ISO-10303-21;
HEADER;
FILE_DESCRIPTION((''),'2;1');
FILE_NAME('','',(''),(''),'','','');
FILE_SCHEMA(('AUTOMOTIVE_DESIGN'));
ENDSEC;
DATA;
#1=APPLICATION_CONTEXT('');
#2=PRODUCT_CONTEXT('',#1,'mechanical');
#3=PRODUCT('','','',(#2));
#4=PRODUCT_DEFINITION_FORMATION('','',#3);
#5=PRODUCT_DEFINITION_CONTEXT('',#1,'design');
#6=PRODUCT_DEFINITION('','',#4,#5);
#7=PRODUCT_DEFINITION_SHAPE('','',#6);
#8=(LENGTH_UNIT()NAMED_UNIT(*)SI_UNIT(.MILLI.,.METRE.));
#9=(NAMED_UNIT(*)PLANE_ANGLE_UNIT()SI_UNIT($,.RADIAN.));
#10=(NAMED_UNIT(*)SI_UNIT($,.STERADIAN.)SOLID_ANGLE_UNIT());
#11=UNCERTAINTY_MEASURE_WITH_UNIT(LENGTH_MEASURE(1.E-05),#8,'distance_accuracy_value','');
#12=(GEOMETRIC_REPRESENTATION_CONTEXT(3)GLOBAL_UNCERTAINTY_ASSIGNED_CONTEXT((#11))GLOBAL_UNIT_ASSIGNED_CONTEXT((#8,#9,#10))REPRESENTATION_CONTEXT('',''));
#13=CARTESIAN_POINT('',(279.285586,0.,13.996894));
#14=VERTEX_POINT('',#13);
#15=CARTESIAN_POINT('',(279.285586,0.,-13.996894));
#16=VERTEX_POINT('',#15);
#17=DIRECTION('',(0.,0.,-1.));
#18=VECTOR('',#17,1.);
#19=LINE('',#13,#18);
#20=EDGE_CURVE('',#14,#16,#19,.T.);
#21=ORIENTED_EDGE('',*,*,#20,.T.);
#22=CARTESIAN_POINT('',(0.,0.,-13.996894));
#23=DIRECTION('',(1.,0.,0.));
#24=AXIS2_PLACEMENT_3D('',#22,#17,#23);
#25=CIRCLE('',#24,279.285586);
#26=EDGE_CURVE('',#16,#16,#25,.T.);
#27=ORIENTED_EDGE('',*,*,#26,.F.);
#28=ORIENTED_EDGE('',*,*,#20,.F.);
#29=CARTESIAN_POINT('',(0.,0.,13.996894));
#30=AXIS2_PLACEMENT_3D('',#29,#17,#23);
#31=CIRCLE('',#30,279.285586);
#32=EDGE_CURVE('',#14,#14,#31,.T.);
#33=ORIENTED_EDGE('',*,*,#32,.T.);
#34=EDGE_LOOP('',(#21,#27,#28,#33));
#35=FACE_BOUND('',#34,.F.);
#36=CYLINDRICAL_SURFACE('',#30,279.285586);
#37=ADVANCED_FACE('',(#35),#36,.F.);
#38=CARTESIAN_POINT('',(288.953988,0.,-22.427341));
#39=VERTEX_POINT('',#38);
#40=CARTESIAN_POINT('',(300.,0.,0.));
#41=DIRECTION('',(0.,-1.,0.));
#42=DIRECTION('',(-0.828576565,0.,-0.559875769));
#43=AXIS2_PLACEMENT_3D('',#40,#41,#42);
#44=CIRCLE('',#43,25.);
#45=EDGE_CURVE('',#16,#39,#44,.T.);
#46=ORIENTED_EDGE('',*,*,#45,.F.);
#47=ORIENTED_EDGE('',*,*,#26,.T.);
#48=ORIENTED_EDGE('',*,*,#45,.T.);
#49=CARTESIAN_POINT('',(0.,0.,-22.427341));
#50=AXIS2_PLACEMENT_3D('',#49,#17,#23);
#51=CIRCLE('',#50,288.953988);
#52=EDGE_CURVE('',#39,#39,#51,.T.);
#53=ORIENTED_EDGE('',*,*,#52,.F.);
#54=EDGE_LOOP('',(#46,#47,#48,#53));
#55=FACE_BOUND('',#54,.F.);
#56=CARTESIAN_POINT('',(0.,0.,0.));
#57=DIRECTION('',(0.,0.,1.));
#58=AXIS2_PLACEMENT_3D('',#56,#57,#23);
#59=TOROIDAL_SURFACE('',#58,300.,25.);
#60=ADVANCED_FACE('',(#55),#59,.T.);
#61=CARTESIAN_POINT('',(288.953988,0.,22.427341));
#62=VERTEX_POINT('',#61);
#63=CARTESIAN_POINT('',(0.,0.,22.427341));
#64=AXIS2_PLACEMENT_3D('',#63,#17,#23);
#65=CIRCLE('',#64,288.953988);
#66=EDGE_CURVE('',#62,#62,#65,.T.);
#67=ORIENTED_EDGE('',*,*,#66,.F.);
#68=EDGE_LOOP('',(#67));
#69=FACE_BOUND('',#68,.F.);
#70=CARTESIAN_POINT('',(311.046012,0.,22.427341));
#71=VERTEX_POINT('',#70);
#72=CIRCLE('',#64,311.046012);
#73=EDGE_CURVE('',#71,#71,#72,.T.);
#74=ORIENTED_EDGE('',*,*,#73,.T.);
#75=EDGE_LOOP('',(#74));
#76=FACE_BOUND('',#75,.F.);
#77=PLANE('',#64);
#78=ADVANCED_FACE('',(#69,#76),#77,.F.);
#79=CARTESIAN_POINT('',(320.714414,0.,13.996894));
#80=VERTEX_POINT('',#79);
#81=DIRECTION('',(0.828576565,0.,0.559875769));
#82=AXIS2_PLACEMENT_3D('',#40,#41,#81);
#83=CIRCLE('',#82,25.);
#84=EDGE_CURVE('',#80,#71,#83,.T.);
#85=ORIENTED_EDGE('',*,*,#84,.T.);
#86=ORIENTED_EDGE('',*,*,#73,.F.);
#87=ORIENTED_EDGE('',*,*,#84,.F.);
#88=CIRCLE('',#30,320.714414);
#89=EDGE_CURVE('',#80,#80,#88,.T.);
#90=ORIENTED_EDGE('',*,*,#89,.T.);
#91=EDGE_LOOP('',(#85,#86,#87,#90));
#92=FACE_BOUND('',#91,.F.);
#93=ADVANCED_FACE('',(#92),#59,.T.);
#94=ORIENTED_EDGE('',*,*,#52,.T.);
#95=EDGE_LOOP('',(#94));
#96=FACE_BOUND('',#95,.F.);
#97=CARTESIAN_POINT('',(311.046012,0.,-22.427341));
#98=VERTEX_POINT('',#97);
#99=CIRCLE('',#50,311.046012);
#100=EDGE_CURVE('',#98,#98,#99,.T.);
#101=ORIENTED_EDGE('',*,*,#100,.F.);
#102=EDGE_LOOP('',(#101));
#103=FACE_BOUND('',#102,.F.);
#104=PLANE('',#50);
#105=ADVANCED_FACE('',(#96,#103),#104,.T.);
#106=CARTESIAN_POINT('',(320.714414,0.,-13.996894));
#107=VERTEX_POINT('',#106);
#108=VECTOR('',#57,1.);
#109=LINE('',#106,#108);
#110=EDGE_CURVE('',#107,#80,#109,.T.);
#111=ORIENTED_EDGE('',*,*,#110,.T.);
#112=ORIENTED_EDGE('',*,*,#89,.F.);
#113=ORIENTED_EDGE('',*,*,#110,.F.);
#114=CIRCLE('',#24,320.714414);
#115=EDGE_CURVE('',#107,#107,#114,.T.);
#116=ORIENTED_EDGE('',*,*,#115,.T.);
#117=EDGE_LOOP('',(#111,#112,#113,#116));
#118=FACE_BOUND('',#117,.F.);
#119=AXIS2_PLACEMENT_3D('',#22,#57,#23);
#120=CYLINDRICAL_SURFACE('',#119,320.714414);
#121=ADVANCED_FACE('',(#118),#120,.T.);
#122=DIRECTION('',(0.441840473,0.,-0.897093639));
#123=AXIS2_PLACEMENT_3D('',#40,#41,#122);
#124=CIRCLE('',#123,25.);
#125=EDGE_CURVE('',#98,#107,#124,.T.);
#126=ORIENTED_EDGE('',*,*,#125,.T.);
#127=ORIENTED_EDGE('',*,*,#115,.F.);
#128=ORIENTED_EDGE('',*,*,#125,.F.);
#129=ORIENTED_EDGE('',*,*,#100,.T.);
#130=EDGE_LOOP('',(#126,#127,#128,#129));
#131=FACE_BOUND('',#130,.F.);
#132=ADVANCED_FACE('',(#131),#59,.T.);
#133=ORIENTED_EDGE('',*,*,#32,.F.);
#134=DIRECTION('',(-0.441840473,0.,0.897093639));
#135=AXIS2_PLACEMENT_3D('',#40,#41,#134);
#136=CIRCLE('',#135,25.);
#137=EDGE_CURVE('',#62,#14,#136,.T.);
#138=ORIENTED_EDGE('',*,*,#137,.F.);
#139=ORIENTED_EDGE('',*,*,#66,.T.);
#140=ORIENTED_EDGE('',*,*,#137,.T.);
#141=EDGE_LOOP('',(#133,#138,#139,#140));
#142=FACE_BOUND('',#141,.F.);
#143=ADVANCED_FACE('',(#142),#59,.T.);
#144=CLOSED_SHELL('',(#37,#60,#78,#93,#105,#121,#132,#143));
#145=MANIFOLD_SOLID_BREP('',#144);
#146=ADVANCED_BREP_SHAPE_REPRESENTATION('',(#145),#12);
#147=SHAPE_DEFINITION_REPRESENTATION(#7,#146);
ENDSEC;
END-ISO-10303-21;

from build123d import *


with BuildPart() as f1:
    # F0 (on Front) → F1 (revolve)
    with BuildSketch(Plane.XZ):
        with BuildLine():
            Line((320.7144141197, -13.9968942154), (320.7144141197, 13.9968942154))
            ThreePointArc((320.7144141197, 13.9968942154), (316.4301330495, 18.842789814), (311.046011816, 22.4273409694))
            Line((311.046011816, 22.4273409694), (288.9539881839, 22.4273409694))
            ThreePointArc((288.9539881839, 22.4273409694), (283.5698669505, 18.842789814), (279.2855858803, 13.9968942154))
            Line((279.2855858803, 13.9968942154), (279.2855858803, -13.9968942154))
            ThreePointArc((279.2855858803, -13.9968942154), (283.5698669505, -18.842789814), (288.9539881839, -22.4273409694))
            Line((288.9539881839, -22.4273409694), (311.046011816, -22.4273409694))
            ThreePointArc((311.046011816, -22.4273409694), (316.4301330495, -18.842789814), (320.7144141197, -13.9968942154))
        make_face()
    revolve(axis=Axis((0, 0, -3.2569244504), (0, 0, -1)))


solid = f1.part
